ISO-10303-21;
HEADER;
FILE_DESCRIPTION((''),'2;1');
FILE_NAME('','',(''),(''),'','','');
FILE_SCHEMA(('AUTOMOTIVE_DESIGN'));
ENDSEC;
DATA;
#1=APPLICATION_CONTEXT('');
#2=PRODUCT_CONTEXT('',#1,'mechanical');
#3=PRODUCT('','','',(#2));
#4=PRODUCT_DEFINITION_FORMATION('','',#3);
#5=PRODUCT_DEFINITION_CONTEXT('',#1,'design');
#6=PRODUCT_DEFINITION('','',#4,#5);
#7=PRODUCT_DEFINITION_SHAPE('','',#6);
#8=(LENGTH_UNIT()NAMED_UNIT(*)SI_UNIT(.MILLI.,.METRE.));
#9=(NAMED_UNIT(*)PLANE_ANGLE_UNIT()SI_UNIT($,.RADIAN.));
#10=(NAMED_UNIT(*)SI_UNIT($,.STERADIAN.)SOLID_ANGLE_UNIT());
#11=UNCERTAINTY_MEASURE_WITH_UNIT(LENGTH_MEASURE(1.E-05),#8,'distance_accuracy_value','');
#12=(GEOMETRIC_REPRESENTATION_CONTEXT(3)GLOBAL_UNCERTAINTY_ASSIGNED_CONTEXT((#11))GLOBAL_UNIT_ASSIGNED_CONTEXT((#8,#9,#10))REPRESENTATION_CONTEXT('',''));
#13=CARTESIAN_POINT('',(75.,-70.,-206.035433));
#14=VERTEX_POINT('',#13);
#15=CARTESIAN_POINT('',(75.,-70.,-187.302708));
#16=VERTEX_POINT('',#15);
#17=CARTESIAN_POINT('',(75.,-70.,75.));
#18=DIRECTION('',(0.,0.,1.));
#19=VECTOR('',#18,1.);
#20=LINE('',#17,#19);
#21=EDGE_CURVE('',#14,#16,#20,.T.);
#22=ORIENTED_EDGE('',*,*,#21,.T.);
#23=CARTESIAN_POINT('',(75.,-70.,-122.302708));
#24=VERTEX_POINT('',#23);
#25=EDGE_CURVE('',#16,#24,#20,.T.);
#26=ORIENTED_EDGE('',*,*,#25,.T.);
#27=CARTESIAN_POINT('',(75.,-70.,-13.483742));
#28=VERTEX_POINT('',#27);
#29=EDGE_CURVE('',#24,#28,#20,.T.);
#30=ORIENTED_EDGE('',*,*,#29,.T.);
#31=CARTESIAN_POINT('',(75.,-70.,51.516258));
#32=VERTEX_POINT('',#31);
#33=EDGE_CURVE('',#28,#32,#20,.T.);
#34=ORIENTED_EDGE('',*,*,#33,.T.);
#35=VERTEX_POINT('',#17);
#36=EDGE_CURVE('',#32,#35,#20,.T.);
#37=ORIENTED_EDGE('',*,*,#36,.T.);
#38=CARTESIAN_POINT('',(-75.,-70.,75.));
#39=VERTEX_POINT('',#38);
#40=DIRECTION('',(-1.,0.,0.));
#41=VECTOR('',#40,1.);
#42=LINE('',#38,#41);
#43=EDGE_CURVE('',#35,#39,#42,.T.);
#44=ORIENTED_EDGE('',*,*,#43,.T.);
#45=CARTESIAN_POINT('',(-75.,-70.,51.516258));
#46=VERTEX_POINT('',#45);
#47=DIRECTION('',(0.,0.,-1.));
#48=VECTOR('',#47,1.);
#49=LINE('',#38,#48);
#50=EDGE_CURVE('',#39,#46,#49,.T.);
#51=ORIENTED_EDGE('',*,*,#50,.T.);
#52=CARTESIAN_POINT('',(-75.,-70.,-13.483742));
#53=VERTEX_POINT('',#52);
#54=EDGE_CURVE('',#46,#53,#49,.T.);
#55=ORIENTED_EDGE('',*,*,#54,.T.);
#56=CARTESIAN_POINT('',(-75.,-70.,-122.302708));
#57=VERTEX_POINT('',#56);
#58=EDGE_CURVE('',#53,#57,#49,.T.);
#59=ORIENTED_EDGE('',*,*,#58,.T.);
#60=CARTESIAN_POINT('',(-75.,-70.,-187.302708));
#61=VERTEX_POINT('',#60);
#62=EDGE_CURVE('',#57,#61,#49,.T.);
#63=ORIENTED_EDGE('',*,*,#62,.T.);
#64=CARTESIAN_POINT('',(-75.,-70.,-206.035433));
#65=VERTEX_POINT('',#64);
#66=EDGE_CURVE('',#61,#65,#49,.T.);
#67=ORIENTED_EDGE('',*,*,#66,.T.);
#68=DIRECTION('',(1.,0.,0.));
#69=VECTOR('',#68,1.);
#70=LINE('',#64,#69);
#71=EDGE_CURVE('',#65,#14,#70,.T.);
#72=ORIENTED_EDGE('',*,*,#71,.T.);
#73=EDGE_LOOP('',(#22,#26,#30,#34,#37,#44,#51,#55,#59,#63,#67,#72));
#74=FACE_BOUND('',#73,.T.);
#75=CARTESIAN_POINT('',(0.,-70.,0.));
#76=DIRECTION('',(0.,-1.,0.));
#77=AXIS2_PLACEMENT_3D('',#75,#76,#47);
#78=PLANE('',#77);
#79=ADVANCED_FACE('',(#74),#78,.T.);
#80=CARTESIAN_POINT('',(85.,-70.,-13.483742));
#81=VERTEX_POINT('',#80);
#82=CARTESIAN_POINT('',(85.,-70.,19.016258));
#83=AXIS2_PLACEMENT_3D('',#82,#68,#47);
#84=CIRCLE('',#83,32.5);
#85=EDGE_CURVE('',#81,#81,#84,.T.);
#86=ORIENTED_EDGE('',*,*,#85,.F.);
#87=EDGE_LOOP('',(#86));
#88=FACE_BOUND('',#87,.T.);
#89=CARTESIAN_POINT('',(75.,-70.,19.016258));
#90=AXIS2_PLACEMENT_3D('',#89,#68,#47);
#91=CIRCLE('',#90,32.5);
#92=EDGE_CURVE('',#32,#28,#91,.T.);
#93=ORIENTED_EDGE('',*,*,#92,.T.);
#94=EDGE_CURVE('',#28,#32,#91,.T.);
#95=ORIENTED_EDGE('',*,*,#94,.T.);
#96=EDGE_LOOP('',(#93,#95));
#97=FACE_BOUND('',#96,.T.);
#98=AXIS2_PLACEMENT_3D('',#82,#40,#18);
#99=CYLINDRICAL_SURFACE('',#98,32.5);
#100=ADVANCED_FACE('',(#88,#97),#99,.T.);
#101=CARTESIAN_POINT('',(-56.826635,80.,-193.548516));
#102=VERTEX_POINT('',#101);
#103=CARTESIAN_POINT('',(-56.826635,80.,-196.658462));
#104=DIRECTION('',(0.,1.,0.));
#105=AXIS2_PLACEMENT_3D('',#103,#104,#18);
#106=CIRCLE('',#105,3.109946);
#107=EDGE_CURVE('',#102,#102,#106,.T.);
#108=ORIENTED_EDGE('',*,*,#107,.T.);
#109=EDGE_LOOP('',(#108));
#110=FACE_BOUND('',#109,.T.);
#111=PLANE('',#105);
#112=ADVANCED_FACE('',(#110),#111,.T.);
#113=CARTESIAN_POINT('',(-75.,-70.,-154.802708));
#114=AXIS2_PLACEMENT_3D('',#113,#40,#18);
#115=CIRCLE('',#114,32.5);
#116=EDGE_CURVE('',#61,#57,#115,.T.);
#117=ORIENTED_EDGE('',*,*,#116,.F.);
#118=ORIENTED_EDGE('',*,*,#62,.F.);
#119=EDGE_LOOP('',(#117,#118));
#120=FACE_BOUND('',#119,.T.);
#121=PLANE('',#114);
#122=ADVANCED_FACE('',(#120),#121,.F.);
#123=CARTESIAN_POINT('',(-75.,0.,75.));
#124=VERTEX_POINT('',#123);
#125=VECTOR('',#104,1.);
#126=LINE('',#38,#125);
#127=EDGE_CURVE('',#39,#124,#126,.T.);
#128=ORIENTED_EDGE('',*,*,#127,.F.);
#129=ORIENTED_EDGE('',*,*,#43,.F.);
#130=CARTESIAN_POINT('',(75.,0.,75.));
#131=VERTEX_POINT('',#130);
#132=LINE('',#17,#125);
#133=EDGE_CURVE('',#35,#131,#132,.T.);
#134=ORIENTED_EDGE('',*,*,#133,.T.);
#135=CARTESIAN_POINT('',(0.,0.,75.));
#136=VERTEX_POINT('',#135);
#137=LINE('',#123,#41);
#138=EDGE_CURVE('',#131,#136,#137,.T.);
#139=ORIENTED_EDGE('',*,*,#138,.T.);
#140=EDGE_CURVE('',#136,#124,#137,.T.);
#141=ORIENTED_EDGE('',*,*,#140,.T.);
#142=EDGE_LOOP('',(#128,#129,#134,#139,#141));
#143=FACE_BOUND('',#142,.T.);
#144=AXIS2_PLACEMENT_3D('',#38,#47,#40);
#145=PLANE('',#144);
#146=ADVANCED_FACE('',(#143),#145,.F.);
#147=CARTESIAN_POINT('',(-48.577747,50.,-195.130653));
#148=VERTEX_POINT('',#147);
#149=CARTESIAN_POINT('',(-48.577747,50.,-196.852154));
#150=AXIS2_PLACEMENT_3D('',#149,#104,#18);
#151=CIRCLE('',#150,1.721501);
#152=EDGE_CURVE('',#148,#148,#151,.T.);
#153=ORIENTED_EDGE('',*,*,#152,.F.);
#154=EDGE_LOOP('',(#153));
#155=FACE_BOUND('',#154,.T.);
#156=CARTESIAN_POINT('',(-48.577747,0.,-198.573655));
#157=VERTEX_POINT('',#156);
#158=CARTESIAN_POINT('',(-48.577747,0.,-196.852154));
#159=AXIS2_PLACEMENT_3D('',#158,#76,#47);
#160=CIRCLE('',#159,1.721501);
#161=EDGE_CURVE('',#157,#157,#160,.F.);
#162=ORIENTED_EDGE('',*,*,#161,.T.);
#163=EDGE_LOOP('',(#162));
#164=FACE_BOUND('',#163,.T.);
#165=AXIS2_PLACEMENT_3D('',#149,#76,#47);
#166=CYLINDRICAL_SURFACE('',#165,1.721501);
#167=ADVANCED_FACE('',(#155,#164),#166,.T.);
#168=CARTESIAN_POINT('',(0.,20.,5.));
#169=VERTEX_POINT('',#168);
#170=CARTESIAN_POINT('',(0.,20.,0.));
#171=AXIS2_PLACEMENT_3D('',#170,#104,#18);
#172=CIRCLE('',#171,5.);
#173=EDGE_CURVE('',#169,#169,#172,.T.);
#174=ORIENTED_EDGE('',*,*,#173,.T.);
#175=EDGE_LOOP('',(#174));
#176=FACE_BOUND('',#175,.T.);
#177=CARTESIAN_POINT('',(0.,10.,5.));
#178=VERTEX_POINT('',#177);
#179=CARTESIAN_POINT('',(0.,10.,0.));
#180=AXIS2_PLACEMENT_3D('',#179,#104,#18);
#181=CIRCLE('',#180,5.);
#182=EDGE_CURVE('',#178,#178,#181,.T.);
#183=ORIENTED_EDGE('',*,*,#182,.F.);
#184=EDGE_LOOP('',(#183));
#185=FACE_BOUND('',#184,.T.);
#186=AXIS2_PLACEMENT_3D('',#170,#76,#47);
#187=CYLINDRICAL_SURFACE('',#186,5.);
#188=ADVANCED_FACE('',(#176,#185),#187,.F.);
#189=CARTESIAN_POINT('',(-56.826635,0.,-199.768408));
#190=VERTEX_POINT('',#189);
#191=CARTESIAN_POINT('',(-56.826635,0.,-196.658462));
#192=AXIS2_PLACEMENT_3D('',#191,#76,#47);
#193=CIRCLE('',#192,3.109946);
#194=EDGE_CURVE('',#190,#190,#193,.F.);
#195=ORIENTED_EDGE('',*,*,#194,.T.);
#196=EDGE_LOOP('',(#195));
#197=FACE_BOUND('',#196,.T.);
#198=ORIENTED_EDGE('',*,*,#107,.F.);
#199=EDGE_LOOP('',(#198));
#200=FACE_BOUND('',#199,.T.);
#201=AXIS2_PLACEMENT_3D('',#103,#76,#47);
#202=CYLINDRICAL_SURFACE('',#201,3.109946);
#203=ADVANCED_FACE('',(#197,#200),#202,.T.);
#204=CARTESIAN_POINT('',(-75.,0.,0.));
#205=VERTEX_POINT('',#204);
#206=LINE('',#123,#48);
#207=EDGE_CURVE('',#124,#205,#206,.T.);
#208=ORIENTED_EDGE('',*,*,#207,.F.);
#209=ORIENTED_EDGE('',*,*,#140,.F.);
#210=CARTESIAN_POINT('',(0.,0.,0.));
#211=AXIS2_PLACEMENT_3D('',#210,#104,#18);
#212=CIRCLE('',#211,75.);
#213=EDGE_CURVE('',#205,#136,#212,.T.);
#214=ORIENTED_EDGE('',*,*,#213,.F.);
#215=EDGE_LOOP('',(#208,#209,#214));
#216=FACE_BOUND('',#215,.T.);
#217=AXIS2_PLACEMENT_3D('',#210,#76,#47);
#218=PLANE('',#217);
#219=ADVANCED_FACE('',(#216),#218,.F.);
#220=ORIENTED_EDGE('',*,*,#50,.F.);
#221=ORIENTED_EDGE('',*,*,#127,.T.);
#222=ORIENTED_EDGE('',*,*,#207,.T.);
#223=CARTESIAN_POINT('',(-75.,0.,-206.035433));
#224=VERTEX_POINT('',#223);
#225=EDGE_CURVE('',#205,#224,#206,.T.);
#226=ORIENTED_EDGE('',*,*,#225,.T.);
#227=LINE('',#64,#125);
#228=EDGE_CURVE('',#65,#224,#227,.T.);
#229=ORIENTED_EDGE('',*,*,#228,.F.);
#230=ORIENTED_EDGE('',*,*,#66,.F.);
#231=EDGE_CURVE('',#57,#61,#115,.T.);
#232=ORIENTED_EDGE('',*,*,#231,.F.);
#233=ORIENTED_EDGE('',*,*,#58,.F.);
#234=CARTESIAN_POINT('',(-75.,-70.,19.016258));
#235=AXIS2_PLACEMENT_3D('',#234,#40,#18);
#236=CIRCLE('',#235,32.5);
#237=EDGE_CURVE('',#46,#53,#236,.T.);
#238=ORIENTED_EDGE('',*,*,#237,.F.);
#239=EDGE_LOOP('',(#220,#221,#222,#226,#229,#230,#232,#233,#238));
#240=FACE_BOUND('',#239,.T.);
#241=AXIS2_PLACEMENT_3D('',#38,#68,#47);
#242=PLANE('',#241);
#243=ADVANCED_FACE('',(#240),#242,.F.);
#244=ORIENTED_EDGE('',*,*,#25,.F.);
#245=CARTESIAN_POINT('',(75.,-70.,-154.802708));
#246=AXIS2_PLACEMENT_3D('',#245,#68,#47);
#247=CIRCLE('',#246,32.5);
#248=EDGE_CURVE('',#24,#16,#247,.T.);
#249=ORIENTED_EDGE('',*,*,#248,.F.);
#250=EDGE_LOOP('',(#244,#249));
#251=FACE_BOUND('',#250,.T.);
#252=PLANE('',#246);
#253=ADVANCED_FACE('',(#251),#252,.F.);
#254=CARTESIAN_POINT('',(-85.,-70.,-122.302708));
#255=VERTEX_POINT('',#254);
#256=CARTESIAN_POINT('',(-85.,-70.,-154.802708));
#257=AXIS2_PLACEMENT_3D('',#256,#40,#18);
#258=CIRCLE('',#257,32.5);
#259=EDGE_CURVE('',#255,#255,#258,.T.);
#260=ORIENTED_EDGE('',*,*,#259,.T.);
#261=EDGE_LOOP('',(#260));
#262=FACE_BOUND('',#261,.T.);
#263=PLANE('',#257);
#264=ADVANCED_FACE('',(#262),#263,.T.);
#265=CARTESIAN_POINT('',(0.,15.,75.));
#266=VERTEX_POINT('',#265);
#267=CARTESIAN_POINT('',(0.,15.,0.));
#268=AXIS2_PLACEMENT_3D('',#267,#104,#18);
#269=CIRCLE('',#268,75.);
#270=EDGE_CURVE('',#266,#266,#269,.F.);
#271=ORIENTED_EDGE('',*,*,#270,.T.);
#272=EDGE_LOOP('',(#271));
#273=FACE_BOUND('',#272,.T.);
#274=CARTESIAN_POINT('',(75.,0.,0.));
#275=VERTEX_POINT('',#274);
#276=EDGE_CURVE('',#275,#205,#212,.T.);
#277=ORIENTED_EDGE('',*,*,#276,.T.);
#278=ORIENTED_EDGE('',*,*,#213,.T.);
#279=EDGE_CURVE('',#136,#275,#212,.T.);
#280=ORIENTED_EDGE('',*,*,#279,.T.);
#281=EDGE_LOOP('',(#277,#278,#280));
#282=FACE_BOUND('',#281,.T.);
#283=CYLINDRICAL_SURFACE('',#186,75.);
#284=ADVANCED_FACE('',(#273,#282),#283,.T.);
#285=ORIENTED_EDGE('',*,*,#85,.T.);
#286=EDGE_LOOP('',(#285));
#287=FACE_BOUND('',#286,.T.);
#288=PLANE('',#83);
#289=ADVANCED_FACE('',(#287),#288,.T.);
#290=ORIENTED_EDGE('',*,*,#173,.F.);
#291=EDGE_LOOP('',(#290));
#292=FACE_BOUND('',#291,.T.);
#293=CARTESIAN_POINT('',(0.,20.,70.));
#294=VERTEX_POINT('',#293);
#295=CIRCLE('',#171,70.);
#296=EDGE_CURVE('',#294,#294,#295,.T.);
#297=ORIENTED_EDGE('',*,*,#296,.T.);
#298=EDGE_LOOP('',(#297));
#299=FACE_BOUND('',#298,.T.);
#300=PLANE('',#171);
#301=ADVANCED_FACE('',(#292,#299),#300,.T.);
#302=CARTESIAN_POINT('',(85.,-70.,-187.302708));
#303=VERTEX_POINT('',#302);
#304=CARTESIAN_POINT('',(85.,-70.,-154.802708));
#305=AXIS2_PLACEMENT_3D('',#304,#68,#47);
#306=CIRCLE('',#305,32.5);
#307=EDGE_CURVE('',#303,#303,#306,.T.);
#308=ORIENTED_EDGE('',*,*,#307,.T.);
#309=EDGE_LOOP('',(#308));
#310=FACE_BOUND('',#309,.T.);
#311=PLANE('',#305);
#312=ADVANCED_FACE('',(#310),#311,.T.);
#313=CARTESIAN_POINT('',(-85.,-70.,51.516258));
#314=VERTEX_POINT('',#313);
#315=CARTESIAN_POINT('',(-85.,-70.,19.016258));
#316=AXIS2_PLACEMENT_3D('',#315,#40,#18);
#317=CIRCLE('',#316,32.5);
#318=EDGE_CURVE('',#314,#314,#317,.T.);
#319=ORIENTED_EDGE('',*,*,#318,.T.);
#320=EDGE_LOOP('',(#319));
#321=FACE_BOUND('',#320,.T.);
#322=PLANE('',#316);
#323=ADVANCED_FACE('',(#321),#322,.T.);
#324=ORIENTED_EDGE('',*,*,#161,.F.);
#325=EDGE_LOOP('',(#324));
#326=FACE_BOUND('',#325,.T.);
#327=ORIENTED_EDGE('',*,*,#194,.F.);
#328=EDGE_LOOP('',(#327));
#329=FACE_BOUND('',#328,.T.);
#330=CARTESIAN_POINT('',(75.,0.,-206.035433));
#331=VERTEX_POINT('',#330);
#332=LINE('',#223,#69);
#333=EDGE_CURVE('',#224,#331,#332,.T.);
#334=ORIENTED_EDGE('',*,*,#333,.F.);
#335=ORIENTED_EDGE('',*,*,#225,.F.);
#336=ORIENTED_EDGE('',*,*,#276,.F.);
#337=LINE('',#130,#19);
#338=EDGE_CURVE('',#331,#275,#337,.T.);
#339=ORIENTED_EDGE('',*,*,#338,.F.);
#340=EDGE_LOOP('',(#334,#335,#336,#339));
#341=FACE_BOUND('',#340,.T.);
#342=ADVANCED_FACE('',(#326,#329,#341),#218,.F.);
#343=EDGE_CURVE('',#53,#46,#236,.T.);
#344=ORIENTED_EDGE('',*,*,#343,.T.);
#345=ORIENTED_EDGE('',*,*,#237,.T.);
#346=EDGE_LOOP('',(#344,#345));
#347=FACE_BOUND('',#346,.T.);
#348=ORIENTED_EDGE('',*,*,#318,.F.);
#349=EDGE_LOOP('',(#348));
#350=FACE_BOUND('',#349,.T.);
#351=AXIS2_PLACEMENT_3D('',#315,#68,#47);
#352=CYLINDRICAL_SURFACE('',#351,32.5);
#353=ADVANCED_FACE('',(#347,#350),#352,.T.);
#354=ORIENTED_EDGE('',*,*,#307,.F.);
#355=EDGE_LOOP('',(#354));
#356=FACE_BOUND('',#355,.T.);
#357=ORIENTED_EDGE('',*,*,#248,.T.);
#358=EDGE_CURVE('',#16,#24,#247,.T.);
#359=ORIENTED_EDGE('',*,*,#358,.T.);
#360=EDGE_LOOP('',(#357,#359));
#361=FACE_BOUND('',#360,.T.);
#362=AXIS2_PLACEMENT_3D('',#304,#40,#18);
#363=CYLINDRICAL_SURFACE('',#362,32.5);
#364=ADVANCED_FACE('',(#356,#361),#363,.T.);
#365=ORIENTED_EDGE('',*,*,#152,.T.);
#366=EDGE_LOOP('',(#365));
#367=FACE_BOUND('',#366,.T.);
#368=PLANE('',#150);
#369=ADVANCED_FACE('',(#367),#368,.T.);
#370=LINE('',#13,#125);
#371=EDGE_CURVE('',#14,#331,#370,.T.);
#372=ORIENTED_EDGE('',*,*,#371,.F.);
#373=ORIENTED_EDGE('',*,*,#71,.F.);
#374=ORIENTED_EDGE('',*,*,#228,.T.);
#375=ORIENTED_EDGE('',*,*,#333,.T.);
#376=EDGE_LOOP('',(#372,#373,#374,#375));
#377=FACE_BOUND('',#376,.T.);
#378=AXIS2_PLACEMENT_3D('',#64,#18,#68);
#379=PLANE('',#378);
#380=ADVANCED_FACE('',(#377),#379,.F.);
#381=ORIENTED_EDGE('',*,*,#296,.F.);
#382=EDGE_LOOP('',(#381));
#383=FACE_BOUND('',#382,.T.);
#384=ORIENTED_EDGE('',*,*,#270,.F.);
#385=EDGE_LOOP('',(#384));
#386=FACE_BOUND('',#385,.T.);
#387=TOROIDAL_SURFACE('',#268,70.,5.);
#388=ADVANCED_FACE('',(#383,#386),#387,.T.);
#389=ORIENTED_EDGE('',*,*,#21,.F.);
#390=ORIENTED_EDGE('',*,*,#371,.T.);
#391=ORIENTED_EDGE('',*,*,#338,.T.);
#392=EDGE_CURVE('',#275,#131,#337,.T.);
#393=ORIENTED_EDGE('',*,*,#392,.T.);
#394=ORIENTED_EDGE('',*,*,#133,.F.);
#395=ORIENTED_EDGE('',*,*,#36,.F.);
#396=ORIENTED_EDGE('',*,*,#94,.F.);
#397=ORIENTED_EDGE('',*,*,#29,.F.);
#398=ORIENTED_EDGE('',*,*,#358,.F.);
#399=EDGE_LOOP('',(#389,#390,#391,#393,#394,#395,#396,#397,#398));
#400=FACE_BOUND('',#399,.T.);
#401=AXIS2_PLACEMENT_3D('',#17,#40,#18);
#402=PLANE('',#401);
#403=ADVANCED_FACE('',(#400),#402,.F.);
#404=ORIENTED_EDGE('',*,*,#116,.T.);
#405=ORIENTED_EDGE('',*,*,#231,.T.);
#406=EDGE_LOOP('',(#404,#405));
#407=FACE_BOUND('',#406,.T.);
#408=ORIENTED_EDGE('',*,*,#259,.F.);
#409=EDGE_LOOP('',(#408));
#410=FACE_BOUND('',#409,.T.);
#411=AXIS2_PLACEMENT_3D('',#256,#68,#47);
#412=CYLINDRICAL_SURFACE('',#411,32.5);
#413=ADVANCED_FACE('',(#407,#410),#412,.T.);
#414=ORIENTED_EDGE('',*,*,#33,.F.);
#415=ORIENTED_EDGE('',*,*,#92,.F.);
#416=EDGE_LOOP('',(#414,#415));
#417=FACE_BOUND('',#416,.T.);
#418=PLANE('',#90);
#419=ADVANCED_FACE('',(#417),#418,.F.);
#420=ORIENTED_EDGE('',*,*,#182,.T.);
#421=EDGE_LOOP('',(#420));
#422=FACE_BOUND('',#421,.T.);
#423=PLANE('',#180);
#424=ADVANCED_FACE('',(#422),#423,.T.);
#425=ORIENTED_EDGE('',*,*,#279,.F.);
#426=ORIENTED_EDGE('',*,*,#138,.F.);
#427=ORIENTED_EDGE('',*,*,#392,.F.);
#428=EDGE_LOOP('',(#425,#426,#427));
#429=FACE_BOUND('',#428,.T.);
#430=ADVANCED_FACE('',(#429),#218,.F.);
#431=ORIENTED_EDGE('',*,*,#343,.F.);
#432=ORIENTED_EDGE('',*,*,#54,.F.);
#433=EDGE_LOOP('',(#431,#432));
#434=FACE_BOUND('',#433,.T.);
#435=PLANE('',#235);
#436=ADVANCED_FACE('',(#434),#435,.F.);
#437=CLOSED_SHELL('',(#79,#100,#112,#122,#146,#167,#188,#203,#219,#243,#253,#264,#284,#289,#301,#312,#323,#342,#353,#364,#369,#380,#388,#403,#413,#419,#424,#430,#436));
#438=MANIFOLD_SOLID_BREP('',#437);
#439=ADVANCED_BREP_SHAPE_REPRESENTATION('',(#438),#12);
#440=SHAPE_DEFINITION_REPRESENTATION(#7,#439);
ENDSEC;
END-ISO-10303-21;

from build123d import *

# Parameters (mm, degrees)
SKETCH1_R           = 75
BOSS_EXTRUDE1_DEPTH = 20
FILLET4_R           = 5
CUT_EXTRUDE1_START  = 10
SKETCH2_R           = 5
CUT_EXTRUDE1_DEPTH  = 10
SKETCH3_W           = 150
SKETCH3_H           = 281.035433198
BOSS_EXTRUDE2_DEPTH = 70
SKETCH4_R           = 32.5
BOSS_EXTRUDE3_DEPTH = 10
SKETCH6_R           = 32.5
BOSS_EXTRUDE4_DEPTH = 10
BOSS_EXTRUDE5_START = 10
SKETCH8_R           = 32.5
BOSS_EXTRUDE5_DEPTH = 10
BOSS_EXTRUDE6_START = 10
SKETCH9_R           = 32.5
BOSS_EXTRUDE6_DEPTH = 10
SKETCH10_R          = 3.109945618
BOSS_EXTRUDE7_DEPTH = 80
SKETCH11_R          = 1.721500876
BOSS_EXTRUDE8_DEPTH = 50


with BuildPart() as part:
    # Sketch1 → Boss-Extrude1 (new body)
    with BuildSketch(Plane(origin=(0, 0, 0), x_dir=(1, 0, 0), z_dir=(0, 1, 0))):
        with Locations(Location((0, 0, 0), (0, 0, 270))):
            Circle(SKETCH1_R)
    extrude(amount=BOSS_EXTRUDE1_DEPTH)

    # Fillet4
    fillet4_edges = [part.edges().sort_by_distance(p)[0] for p in [
        (0, 20, -75),
    ]]
    fillet(fillet4_edges, radius=FILLET4_R)

    # Sketch2 → Cut-Extrude1 (cut)
    with BuildSketch(Plane(origin=(0, 0, 0), x_dir=(1, 0, 0), z_dir=(0, 1, 0)).offset(CUT_EXTRUDE1_START)):
        with Locations(Location((0, 0, 0), (0, 0, 270))):
            Circle(SKETCH2_R)
    extrude(amount=CUT_EXTRUDE1_DEPTH, mode=Mode.SUBTRACT)

    # Sketch3 → Boss-Extrude2 (add)
    with BuildSketch(Plane.XZ):
        with Locations((0, -65.517716599)):
            Rectangle(SKETCH3_W, SKETCH3_H)
    extrude(amount=BOSS_EXTRUDE2_DEPTH)

    # Sketch4 → Boss-Extrude3 (add)
    with BuildSketch(Plane.ZY.offset(75)):
        with Locations((-154.802708443, -70)):
            Circle(SKETCH4_R)
    extrude(amount=BOSS_EXTRUDE3_DEPTH)

    # Sketch6 → Boss-Extrude4 (add)
    with BuildSketch(Plane.ZY.offset(75)):
        with Locations((19.016258359, -70)):
            Circle(SKETCH6_R)
    extrude(amount=BOSS_EXTRUDE4_DEPTH)

    # Sketch8 → Boss-Extrude5 (add)
    with BuildSketch(Plane(origin=(75, 0, 0), x_dir=(0, 0, -1), z_dir=(1, 0, 0)).offset(BOSS_EXTRUDE5_START)):
        with Locations(Location((-19.016258359, -70, 0), (0, 0, 180))):
            Circle(SKETCH8_R)
    extrude(amount=-BOSS_EXTRUDE5_DEPTH)

    # Sketch9 → Boss-Extrude6 (add)
    with BuildSketch(Plane(origin=(75, 0, 0), x_dir=(0, 0, -1), z_dir=(1, 0, 0)).offset(BOSS_EXTRUDE6_START)):
        with Locations(Location((154.802708443, -70, 0), (0, 0, 180))):
            Circle(SKETCH9_R)
    extrude(amount=-BOSS_EXTRUDE6_DEPTH)

    # Sketch10 → Boss-Extrude7 (add)
    with BuildSketch(Plane(origin=(0, 0, 0), x_dir=(1, 0, 0), z_dir=(0, 1, 0))):
        with Locations(Location((-56.826635482, 196.658461897, 0), (0, 0, 90))):
            Circle(SKETCH10_R)
    extrude(amount=BOSS_EXTRUDE7_DEPTH)

    # Sketch11 → Boss-Extrude8 (add)
    with BuildSketch(Plane(origin=(0, 0, 0), x_dir=(1, 0, 0), z_dir=(0, 1, 0))):
        with Locations(Location((-48.57774745, 196.85215418, 0), (0, 0, 90))):
            Circle(SKETCH11_R)
    extrude(amount=BOSS_EXTRUDE8_DEPTH)


solid = part.part
